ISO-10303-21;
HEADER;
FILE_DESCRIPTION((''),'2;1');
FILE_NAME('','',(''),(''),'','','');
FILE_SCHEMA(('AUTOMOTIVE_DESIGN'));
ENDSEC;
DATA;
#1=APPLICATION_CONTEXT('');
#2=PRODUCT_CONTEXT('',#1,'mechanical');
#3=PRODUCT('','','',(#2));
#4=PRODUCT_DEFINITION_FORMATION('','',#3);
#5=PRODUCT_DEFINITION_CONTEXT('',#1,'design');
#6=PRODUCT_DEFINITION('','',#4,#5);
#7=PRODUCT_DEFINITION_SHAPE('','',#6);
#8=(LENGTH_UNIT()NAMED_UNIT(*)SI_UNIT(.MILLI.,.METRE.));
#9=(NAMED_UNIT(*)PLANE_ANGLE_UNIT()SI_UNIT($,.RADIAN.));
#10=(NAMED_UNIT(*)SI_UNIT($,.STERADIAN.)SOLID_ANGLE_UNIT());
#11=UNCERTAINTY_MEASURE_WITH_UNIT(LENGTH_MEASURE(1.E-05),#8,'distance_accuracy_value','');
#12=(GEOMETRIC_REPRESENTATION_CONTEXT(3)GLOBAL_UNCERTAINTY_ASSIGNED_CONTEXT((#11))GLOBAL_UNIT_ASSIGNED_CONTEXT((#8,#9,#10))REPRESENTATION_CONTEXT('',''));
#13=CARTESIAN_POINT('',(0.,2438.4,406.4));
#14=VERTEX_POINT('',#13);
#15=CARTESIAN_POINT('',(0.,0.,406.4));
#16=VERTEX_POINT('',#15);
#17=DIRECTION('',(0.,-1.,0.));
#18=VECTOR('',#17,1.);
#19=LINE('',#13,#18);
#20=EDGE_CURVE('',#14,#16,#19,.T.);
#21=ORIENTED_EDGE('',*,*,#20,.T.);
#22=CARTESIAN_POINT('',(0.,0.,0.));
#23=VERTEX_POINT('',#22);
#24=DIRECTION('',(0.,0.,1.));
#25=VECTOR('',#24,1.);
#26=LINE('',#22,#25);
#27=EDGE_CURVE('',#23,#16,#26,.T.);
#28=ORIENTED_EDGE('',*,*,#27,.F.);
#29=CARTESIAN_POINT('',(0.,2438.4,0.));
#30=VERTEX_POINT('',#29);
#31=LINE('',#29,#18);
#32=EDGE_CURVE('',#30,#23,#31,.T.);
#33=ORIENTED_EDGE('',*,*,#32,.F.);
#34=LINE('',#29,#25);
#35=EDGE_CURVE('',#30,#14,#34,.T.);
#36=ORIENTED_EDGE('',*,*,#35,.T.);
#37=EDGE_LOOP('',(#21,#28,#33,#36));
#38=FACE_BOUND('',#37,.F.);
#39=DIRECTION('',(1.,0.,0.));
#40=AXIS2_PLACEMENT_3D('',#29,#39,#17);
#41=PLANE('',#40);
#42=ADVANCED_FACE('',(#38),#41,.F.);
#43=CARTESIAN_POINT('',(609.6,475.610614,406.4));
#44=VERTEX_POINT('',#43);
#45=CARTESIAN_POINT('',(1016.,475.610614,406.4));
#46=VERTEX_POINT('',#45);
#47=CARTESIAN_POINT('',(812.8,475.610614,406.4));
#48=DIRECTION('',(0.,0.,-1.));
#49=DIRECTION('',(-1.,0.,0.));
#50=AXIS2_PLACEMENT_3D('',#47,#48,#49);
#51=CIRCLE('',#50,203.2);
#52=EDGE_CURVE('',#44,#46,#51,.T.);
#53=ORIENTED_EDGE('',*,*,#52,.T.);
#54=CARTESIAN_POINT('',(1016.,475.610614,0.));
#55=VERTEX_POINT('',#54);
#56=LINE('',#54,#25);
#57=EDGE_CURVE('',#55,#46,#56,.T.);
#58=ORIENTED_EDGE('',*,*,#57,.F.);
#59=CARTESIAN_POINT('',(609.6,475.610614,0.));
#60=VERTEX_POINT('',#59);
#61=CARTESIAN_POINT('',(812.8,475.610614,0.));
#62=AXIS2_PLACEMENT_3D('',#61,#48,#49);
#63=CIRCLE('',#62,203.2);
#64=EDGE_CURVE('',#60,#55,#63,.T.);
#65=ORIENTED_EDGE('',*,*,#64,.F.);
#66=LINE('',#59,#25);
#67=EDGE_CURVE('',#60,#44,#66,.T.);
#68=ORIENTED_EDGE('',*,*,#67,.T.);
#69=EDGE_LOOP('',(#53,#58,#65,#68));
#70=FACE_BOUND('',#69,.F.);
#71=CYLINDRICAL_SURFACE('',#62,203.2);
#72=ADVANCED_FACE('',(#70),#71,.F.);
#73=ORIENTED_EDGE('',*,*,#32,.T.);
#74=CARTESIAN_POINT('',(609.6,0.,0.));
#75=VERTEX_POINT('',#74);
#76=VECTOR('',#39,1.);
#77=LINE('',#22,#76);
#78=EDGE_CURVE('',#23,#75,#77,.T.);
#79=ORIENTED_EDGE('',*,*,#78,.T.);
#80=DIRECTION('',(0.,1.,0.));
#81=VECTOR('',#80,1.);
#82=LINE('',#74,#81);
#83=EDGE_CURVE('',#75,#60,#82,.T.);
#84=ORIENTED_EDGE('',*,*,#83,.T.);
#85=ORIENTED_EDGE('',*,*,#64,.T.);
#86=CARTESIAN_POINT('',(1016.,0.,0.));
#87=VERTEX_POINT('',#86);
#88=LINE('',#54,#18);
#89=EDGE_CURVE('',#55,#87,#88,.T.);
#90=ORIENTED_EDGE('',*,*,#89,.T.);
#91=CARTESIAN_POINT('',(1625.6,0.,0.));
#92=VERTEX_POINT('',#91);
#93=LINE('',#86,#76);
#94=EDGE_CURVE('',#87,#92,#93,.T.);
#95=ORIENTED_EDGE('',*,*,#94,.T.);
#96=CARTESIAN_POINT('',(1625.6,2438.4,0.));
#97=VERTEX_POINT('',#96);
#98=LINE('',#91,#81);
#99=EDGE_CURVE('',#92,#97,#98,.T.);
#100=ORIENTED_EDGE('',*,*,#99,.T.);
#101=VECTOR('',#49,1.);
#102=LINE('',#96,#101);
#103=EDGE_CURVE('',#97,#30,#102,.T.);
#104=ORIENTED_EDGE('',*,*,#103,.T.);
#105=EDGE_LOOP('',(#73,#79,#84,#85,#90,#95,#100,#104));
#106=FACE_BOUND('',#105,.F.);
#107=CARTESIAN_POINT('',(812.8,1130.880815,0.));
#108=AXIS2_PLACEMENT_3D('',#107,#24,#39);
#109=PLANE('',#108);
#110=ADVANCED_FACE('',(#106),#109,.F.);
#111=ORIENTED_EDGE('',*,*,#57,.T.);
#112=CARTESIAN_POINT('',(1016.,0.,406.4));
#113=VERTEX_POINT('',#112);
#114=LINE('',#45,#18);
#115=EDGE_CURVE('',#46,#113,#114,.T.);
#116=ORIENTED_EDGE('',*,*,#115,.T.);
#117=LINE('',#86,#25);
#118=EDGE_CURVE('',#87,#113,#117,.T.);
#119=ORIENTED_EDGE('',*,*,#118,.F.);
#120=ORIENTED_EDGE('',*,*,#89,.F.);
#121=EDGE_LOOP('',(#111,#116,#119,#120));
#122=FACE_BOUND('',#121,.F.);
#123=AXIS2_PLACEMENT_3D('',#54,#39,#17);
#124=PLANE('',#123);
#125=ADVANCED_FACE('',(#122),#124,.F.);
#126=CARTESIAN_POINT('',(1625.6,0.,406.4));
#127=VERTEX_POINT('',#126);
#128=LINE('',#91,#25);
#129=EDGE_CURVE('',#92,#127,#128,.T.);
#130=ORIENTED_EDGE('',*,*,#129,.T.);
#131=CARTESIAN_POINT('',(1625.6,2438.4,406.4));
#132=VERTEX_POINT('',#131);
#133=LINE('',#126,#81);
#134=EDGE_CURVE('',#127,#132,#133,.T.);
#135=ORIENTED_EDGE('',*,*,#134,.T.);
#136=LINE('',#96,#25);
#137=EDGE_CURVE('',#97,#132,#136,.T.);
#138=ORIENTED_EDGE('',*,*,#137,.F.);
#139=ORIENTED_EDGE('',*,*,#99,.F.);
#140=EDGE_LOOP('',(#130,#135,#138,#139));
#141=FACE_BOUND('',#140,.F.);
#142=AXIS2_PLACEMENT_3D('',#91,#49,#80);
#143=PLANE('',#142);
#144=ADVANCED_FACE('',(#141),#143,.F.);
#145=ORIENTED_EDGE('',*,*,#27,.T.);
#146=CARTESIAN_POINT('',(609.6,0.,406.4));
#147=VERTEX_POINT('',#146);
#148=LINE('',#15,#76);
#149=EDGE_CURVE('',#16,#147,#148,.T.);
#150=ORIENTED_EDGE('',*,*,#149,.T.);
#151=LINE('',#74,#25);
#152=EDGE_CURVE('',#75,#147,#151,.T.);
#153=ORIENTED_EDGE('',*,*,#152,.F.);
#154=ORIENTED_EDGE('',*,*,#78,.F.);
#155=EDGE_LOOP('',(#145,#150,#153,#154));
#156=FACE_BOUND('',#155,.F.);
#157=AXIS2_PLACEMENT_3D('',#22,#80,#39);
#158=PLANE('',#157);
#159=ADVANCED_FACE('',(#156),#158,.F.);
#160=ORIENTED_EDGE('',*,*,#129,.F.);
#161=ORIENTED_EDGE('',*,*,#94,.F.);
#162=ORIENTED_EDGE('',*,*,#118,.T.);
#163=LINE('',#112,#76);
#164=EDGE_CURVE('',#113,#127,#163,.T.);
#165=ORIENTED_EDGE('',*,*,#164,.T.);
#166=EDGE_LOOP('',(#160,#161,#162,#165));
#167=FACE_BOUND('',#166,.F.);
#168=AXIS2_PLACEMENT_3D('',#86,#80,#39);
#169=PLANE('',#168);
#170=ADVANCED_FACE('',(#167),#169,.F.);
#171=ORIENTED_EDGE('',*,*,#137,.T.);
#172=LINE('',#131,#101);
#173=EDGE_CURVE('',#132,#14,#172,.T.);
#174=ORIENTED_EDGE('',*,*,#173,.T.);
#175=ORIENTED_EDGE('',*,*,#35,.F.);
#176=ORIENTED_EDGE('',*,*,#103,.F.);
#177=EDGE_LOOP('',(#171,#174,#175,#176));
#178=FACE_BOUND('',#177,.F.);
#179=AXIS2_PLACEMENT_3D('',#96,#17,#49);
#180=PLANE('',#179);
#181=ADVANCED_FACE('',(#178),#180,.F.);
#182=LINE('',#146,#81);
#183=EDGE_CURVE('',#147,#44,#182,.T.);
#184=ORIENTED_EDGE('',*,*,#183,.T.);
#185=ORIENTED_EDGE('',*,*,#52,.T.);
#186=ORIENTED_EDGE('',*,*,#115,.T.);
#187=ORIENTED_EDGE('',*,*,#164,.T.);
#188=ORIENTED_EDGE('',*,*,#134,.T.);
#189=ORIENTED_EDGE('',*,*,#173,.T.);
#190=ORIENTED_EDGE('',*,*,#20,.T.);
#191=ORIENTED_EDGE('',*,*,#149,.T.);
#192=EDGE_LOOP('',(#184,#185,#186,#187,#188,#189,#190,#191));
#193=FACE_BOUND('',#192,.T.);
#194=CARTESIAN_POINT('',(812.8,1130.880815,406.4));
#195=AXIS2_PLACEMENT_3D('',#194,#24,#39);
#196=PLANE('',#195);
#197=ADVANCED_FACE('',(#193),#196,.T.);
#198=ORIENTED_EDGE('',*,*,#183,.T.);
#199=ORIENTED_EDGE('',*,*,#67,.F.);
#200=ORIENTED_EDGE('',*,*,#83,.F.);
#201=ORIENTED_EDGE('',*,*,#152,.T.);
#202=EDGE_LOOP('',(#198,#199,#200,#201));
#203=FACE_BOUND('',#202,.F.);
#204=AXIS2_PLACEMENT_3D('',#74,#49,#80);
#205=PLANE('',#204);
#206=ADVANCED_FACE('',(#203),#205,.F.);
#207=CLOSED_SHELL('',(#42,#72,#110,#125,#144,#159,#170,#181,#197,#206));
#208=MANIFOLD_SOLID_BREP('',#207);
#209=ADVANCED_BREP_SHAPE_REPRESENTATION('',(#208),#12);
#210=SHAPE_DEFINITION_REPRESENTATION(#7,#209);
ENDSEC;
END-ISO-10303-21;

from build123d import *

# Parameters (mm, degrees)
F1_DEPTH = 406.4


with BuildPart() as f1:
    # F0 (on Top) → F1 (new body)
    with BuildSketch(Plane.XY):
        with BuildLine():
            Line((0, 2438.4), (0, 0))
            Line((0, 0), (609.6, 0))
            Line((609.6, 0), (609.6, 475.610614))
            ThreePointArc((609.6, 475.610614), (812.8, 678.810614), (1016, 475.610614))
            Line((1016, 475.610614), (1016, 0))
            Line((1016, 0), (1625.6, 0))
            Line((1625.6, 0), (1625.6, 2438.4))
            Line((1625.6, 2438.4), (0, 2438.4))
        make_face()
    extrude(amount=F1_DEPTH)


solid = f1.part
